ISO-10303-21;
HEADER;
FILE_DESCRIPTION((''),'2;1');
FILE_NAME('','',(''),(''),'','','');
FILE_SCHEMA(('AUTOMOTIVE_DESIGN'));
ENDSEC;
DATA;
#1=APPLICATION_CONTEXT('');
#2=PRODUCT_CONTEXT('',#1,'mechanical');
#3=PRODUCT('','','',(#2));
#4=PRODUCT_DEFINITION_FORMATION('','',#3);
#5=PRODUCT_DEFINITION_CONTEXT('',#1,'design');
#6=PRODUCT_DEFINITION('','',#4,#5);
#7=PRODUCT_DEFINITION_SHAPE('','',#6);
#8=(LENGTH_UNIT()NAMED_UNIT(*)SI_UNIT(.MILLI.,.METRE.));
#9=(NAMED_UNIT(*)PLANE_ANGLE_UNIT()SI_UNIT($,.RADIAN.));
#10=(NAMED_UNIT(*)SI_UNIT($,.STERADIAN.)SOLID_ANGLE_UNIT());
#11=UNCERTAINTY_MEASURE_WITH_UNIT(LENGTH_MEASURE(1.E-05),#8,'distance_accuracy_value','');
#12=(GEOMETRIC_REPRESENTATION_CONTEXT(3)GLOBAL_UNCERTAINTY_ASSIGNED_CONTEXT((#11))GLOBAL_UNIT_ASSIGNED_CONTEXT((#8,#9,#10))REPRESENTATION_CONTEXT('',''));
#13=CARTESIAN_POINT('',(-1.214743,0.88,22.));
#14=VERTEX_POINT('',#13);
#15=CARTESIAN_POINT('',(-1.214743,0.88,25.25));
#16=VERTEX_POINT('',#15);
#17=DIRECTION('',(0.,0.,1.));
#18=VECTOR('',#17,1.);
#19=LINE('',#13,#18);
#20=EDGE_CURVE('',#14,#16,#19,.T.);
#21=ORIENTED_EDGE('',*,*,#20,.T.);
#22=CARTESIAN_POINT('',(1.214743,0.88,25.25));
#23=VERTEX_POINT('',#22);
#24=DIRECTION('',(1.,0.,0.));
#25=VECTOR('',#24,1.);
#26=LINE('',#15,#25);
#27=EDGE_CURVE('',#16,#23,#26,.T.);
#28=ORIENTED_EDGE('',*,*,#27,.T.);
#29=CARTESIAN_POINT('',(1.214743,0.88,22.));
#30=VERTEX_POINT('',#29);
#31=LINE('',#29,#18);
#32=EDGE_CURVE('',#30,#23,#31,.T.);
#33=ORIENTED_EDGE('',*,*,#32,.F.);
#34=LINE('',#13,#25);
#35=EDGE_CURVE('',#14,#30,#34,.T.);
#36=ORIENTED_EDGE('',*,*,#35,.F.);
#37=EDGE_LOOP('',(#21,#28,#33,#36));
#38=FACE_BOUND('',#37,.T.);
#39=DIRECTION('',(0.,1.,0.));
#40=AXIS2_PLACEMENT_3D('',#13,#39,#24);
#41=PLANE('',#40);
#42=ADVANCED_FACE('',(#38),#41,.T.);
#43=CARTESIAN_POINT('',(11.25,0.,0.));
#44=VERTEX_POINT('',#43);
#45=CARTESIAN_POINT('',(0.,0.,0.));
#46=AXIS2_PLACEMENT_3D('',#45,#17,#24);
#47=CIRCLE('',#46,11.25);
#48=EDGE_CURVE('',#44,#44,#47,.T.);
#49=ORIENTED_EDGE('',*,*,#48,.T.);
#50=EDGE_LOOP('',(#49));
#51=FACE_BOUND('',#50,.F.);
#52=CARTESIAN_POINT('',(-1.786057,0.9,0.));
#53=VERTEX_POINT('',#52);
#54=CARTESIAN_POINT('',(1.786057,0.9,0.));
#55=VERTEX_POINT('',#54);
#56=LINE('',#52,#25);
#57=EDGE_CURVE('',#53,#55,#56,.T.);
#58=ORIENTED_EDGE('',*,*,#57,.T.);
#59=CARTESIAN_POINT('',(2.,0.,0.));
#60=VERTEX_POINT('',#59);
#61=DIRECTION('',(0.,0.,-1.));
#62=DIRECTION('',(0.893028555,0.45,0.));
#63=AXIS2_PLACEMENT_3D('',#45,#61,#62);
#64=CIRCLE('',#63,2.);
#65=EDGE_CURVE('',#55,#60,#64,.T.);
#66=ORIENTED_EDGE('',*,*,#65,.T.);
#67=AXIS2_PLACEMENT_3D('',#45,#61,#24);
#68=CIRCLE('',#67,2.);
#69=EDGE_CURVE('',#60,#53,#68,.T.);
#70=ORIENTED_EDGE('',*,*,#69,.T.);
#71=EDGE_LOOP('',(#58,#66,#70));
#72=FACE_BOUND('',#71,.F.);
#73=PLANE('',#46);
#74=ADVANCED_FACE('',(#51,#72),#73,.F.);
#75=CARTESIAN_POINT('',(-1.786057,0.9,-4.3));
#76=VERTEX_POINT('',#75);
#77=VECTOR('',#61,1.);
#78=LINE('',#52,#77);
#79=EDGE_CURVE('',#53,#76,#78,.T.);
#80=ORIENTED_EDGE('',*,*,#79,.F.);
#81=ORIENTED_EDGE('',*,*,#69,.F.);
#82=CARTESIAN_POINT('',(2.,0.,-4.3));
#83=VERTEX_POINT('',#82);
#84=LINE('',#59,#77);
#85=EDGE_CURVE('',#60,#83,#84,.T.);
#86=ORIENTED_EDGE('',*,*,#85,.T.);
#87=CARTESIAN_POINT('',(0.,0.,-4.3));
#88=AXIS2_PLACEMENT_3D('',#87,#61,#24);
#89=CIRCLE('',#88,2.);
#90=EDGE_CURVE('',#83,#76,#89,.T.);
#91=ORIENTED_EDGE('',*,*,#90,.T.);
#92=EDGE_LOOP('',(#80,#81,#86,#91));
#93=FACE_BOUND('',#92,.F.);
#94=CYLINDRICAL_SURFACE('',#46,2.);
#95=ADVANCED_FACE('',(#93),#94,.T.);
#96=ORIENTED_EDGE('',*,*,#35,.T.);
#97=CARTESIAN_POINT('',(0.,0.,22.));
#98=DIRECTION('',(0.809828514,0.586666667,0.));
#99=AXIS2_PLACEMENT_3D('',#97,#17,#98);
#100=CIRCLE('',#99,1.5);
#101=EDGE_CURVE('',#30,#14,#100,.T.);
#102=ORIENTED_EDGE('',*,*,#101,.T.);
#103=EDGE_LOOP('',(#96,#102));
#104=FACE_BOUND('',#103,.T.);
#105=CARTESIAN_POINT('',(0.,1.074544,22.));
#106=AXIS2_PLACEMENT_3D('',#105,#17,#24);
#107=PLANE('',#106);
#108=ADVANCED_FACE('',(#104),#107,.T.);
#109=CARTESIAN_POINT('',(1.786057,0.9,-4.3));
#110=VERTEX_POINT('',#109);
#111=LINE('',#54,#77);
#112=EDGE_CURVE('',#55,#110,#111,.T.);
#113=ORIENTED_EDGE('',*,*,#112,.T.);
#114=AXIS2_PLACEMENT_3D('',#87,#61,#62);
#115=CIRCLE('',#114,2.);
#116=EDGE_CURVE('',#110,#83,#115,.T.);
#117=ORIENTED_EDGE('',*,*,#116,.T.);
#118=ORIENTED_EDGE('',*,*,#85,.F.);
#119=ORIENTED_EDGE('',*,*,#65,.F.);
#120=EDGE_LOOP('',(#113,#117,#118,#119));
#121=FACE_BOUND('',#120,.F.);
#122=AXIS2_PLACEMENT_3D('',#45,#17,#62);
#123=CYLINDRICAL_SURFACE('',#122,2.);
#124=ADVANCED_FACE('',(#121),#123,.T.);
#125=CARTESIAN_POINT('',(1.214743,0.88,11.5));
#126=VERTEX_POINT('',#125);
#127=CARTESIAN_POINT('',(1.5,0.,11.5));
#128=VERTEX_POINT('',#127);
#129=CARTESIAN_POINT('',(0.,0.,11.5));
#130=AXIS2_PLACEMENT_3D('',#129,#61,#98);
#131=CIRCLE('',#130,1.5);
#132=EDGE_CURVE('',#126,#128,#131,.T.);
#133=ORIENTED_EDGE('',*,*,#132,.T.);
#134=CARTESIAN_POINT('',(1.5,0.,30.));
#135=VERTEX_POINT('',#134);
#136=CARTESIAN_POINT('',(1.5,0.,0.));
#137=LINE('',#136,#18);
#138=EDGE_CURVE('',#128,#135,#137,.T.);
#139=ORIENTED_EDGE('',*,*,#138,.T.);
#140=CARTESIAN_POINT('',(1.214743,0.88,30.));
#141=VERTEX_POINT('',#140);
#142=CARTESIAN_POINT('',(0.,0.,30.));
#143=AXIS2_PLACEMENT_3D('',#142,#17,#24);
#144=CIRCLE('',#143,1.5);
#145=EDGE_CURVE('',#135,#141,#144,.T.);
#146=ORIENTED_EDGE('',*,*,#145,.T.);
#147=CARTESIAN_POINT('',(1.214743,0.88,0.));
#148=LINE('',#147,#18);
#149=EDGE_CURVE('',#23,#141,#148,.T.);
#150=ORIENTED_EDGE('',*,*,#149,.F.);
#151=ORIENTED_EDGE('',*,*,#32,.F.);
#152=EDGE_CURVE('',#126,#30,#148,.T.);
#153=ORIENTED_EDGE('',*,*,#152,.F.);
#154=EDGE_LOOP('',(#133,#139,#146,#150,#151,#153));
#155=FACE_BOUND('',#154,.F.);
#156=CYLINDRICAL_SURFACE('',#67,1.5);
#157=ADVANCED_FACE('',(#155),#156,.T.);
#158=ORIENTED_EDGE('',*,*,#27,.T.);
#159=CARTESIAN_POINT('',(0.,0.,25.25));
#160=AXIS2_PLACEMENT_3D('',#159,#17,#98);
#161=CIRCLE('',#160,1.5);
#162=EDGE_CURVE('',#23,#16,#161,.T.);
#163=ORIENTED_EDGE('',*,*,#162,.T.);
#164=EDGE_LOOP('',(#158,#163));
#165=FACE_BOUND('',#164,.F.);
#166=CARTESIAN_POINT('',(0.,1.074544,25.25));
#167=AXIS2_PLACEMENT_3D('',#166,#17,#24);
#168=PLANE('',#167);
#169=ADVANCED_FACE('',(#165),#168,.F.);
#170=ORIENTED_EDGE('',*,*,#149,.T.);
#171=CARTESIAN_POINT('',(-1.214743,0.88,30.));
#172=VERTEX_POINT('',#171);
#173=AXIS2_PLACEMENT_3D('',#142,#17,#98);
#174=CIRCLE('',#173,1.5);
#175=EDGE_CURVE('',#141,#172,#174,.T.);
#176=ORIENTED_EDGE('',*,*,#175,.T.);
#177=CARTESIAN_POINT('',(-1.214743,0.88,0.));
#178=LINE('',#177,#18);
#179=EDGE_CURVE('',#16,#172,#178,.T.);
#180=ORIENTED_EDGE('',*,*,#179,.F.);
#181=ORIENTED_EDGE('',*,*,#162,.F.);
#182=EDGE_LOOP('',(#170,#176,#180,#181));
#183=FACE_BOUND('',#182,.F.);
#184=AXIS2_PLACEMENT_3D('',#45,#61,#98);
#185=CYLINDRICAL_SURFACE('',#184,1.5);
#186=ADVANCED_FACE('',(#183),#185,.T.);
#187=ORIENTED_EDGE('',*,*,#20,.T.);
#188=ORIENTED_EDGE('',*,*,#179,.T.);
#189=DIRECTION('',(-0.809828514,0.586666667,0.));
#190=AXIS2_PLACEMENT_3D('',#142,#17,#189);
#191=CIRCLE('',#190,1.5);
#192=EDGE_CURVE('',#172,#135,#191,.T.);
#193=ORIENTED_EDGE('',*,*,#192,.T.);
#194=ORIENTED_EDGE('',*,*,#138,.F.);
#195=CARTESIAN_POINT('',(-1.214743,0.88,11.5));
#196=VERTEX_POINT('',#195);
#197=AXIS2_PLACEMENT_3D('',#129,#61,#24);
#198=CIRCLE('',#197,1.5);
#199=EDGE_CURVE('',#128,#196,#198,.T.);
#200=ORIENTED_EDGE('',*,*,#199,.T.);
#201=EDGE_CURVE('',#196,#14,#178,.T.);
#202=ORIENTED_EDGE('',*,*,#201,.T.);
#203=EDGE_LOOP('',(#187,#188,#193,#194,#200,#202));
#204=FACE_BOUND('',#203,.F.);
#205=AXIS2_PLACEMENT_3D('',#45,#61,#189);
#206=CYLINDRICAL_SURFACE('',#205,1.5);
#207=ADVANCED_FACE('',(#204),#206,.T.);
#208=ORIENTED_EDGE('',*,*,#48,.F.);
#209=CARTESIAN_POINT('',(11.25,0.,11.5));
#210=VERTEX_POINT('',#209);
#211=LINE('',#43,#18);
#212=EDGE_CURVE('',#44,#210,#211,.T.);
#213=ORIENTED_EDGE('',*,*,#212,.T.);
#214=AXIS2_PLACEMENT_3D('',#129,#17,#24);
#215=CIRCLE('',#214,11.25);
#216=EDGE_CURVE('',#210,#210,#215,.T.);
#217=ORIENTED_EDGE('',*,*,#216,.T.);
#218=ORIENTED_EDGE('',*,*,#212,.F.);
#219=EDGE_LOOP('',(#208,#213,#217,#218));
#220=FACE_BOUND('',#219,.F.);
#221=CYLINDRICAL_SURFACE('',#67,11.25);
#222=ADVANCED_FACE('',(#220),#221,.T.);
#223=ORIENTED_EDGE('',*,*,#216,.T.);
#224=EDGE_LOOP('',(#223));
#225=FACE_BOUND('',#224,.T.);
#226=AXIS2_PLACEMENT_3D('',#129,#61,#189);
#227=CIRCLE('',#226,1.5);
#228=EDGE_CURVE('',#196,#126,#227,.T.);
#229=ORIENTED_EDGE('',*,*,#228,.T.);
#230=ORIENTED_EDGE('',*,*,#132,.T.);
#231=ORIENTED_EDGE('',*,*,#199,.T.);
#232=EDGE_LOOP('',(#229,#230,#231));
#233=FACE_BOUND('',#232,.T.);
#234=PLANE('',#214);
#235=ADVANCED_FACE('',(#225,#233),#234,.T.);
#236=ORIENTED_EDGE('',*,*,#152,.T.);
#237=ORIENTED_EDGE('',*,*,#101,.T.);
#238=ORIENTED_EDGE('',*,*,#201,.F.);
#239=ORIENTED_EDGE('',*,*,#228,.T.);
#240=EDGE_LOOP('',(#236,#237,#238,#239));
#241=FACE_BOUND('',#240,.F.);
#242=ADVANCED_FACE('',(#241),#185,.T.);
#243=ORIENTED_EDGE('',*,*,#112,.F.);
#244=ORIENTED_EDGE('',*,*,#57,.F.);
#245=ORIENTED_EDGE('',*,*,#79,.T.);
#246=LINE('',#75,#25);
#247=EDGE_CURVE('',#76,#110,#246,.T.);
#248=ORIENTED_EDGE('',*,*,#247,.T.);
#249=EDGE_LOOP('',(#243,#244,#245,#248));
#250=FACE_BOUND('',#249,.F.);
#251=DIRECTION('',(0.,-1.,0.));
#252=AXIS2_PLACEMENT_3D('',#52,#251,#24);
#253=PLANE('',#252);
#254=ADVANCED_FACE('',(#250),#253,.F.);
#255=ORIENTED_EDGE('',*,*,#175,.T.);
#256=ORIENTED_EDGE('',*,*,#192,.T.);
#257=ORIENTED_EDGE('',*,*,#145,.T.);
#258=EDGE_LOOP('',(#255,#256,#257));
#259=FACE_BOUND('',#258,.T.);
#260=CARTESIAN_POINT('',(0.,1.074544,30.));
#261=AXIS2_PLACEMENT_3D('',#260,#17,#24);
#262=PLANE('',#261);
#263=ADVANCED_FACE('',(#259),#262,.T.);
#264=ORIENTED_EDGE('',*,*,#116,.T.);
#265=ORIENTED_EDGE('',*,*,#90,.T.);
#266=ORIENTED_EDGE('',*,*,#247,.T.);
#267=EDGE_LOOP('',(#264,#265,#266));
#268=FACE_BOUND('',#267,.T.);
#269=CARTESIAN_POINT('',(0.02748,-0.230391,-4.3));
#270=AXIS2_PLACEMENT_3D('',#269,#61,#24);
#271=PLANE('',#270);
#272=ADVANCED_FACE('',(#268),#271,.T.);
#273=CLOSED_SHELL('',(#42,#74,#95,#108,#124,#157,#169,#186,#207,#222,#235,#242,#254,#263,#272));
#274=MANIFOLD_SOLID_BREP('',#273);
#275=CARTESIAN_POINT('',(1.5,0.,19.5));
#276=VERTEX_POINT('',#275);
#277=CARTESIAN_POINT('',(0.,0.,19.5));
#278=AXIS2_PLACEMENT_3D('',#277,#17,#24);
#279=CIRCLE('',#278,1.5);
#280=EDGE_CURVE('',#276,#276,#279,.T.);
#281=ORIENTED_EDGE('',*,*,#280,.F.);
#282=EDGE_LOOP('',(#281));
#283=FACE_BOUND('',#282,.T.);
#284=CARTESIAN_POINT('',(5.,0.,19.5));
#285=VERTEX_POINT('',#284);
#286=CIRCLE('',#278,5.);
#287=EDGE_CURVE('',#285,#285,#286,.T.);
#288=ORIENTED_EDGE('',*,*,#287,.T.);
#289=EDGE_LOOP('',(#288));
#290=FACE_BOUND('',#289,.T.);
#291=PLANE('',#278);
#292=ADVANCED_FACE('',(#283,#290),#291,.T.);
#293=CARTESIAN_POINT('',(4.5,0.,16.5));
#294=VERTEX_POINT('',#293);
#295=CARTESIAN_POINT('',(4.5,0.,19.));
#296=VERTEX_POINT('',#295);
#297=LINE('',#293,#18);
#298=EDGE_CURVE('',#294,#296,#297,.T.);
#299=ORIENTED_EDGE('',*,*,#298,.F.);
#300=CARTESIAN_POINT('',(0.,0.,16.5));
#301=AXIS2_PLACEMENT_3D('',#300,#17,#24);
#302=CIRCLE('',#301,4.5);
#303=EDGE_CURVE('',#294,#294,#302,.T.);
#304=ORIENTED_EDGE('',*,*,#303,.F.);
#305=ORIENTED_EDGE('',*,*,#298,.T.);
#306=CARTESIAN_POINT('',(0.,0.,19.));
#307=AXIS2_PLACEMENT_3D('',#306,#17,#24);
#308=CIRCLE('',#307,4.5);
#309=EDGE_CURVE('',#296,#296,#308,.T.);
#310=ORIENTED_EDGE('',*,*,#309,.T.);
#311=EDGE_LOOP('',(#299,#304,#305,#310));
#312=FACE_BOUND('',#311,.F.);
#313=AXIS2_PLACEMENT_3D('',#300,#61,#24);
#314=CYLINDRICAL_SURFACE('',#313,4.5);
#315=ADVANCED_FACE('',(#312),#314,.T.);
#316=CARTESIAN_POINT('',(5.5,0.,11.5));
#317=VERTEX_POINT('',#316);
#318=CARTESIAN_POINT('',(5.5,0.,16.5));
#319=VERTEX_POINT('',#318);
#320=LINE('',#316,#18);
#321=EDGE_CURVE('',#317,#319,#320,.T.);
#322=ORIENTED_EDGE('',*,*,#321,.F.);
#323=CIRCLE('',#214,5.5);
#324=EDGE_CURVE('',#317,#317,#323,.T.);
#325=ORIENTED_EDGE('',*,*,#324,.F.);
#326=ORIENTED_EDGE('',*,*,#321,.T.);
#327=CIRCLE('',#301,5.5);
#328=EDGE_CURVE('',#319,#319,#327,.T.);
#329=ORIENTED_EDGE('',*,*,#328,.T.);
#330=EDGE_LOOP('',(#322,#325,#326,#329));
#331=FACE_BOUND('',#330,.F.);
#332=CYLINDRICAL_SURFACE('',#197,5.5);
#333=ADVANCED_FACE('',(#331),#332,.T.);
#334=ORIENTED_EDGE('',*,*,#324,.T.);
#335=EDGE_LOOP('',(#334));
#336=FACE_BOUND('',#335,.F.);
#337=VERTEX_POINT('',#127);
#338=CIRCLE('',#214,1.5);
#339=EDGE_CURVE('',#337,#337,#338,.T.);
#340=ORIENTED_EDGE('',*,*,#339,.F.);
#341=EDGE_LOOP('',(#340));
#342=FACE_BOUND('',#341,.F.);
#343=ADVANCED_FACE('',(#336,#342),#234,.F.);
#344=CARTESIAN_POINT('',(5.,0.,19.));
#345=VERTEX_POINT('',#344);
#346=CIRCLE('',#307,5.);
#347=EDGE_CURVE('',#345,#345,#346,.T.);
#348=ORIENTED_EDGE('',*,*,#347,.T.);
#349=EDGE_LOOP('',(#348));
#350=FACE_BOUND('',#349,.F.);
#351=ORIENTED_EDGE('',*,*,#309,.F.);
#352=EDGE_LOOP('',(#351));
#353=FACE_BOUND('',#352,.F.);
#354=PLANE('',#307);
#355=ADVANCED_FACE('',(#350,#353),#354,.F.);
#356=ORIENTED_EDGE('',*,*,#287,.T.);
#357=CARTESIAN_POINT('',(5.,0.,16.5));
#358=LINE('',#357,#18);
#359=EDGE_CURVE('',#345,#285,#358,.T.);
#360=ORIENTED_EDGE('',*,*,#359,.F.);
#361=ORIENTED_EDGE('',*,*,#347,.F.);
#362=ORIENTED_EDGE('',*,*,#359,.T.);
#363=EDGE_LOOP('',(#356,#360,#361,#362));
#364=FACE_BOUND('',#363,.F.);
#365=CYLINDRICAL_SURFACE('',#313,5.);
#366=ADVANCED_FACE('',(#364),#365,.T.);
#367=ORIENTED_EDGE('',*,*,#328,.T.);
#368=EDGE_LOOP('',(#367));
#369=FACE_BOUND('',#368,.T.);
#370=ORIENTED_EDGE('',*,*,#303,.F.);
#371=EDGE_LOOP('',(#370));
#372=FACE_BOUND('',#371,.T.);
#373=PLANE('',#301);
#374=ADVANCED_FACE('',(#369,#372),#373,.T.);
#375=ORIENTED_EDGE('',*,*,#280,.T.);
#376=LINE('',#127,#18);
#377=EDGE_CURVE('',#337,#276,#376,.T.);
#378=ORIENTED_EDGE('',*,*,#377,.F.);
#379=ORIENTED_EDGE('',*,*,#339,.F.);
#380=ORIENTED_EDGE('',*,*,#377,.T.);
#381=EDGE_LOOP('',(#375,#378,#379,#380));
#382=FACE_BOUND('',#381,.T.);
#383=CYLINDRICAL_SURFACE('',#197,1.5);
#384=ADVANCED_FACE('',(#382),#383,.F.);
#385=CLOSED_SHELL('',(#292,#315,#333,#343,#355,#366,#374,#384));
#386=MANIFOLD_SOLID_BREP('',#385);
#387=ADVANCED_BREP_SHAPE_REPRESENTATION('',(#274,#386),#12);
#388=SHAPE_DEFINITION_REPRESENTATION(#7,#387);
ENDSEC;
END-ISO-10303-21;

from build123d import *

# Parameters (mm, degrees)
F0_R     = 11.25
F1_DEPTH = 11.5
F2_DEPTH = 30
F3_START = 22
F3_DEPTH = 3.25
F4_R     = 5.5
F4_R_2   = 5
F4_R_3   = 4.5
F4_R_4   = 1.5
F5_DEPTH = 8
F6_START = 5
F6_DEPTH = 3
F7_START = 5
F7_DEPTH = 2.5
F9_DEPTH = 4.3


with BuildPart() as f1:
    # F0 (on Top) → F1 (new body)
    with BuildSketch(Plane.XY):
        Circle(F0_R)
        with BuildLine():
            ThreePointArc((1.2147427711, 0.88), (1.4269047194, 0.4625396433), (1.5, 0))
            ThreePointArc((1.5, 0), (-0.4625396433, -1.4269047194), (-1.2147427711, 0.88))
            ThreePointArc((-1.2147427711, 0.88), (0, 1.5), (1.2147427711, 0.88))
        make_face(mode=Mode.SUBTRACT)
    extrude(amount=F1_DEPTH)

    # F0 (on Top) → F2 (join)
    with BuildSketch(Plane.XY):
        with BuildLine():
            Line((-1.2147427711, 0.88), (1.2147427711, 0.88))
            ThreePointArc((1.2147427711, 0.88), (0, 1.5), (-1.2147427711, 0.88))
        make_face()
        with BuildLine():
            ThreePointArc((-1.2147427711, 0.88), (-0.4625396433, -1.4269047194), (1.5, 0))
            ThreePointArc((1.5, 0), (1.4269047194, 0.4625396433), (1.2147427711, 0.88))
            Line((1.2147427711, 0.88), (-1.2147427711, 0.88))
        make_face()
    extrude(amount=F2_DEPTH)

    # F0 (on Top) → F3 (cut)
    with BuildSketch(Plane.XY.offset(F3_START)):
        with BuildLine():
            Line((-1.2147427711, 0.88), (1.2147427711, 0.88))
            ThreePointArc((1.2147427711, 0.88), (0, 1.5), (-1.2147427711, 0.88))
        make_face()
    extrude(amount=F3_DEPTH, mode=Mode.SUBTRACT)

    # F8 (on face) → F9 (join)
    with BuildSketch(Plane(origin=(0, 0, 0), x_dir=(1, 0, 0), z_dir=(0, 0, -1))):
        with BuildLine():
            ThreePointArc((1.7860571099, -0.9), (1.9457793066, -0.4625396092), (2, 0))
            ThreePointArc((2, 0), (-0.4625396092, 1.9457793066), (-1.7860571099, -0.9))
            Line((-1.7860571099, -0.9), (1.7860571099, -0.9))
        make_face()
    extrude(amount=F9_DEPTH)


with BuildPart() as f5:
    # F4 (on face) → F5 (new body)
    with BuildSketch(Plane.XY.offset(11.5)):
        Circle(F4_R)
        Circle(F4_R_2, mode=Mode.SUBTRACT)
        Circle(F4_R_2)
        Circle(F4_R_3, mode=Mode.SUBTRACT)
        Circle(F4_R_3)
        Circle(F4_R_4, mode=Mode.SUBTRACT)
    extrude(amount=F5_DEPTH)

    # F4 (on face) → F6 (cut)
    with BuildSketch(Plane.XY.offset(11.5).offset(F6_START)):
        Circle(F4_R)
        Circle(F4_R_2, mode=Mode.SUBTRACT)
    extrude(amount=F6_DEPTH, mode=Mode.SUBTRACT)

    # F4 (on face) → F7 (cut)
    with BuildSketch(Plane.XY.offset(11.5).offset(F7_START)):
        Circle(F4_R_2)
        Circle(F4_R_3, mode=Mode.SUBTRACT)
    extrude(amount=F7_DEPTH, mode=Mode.SUBTRACT)


solid = Compound([f1.part, f5.part])
